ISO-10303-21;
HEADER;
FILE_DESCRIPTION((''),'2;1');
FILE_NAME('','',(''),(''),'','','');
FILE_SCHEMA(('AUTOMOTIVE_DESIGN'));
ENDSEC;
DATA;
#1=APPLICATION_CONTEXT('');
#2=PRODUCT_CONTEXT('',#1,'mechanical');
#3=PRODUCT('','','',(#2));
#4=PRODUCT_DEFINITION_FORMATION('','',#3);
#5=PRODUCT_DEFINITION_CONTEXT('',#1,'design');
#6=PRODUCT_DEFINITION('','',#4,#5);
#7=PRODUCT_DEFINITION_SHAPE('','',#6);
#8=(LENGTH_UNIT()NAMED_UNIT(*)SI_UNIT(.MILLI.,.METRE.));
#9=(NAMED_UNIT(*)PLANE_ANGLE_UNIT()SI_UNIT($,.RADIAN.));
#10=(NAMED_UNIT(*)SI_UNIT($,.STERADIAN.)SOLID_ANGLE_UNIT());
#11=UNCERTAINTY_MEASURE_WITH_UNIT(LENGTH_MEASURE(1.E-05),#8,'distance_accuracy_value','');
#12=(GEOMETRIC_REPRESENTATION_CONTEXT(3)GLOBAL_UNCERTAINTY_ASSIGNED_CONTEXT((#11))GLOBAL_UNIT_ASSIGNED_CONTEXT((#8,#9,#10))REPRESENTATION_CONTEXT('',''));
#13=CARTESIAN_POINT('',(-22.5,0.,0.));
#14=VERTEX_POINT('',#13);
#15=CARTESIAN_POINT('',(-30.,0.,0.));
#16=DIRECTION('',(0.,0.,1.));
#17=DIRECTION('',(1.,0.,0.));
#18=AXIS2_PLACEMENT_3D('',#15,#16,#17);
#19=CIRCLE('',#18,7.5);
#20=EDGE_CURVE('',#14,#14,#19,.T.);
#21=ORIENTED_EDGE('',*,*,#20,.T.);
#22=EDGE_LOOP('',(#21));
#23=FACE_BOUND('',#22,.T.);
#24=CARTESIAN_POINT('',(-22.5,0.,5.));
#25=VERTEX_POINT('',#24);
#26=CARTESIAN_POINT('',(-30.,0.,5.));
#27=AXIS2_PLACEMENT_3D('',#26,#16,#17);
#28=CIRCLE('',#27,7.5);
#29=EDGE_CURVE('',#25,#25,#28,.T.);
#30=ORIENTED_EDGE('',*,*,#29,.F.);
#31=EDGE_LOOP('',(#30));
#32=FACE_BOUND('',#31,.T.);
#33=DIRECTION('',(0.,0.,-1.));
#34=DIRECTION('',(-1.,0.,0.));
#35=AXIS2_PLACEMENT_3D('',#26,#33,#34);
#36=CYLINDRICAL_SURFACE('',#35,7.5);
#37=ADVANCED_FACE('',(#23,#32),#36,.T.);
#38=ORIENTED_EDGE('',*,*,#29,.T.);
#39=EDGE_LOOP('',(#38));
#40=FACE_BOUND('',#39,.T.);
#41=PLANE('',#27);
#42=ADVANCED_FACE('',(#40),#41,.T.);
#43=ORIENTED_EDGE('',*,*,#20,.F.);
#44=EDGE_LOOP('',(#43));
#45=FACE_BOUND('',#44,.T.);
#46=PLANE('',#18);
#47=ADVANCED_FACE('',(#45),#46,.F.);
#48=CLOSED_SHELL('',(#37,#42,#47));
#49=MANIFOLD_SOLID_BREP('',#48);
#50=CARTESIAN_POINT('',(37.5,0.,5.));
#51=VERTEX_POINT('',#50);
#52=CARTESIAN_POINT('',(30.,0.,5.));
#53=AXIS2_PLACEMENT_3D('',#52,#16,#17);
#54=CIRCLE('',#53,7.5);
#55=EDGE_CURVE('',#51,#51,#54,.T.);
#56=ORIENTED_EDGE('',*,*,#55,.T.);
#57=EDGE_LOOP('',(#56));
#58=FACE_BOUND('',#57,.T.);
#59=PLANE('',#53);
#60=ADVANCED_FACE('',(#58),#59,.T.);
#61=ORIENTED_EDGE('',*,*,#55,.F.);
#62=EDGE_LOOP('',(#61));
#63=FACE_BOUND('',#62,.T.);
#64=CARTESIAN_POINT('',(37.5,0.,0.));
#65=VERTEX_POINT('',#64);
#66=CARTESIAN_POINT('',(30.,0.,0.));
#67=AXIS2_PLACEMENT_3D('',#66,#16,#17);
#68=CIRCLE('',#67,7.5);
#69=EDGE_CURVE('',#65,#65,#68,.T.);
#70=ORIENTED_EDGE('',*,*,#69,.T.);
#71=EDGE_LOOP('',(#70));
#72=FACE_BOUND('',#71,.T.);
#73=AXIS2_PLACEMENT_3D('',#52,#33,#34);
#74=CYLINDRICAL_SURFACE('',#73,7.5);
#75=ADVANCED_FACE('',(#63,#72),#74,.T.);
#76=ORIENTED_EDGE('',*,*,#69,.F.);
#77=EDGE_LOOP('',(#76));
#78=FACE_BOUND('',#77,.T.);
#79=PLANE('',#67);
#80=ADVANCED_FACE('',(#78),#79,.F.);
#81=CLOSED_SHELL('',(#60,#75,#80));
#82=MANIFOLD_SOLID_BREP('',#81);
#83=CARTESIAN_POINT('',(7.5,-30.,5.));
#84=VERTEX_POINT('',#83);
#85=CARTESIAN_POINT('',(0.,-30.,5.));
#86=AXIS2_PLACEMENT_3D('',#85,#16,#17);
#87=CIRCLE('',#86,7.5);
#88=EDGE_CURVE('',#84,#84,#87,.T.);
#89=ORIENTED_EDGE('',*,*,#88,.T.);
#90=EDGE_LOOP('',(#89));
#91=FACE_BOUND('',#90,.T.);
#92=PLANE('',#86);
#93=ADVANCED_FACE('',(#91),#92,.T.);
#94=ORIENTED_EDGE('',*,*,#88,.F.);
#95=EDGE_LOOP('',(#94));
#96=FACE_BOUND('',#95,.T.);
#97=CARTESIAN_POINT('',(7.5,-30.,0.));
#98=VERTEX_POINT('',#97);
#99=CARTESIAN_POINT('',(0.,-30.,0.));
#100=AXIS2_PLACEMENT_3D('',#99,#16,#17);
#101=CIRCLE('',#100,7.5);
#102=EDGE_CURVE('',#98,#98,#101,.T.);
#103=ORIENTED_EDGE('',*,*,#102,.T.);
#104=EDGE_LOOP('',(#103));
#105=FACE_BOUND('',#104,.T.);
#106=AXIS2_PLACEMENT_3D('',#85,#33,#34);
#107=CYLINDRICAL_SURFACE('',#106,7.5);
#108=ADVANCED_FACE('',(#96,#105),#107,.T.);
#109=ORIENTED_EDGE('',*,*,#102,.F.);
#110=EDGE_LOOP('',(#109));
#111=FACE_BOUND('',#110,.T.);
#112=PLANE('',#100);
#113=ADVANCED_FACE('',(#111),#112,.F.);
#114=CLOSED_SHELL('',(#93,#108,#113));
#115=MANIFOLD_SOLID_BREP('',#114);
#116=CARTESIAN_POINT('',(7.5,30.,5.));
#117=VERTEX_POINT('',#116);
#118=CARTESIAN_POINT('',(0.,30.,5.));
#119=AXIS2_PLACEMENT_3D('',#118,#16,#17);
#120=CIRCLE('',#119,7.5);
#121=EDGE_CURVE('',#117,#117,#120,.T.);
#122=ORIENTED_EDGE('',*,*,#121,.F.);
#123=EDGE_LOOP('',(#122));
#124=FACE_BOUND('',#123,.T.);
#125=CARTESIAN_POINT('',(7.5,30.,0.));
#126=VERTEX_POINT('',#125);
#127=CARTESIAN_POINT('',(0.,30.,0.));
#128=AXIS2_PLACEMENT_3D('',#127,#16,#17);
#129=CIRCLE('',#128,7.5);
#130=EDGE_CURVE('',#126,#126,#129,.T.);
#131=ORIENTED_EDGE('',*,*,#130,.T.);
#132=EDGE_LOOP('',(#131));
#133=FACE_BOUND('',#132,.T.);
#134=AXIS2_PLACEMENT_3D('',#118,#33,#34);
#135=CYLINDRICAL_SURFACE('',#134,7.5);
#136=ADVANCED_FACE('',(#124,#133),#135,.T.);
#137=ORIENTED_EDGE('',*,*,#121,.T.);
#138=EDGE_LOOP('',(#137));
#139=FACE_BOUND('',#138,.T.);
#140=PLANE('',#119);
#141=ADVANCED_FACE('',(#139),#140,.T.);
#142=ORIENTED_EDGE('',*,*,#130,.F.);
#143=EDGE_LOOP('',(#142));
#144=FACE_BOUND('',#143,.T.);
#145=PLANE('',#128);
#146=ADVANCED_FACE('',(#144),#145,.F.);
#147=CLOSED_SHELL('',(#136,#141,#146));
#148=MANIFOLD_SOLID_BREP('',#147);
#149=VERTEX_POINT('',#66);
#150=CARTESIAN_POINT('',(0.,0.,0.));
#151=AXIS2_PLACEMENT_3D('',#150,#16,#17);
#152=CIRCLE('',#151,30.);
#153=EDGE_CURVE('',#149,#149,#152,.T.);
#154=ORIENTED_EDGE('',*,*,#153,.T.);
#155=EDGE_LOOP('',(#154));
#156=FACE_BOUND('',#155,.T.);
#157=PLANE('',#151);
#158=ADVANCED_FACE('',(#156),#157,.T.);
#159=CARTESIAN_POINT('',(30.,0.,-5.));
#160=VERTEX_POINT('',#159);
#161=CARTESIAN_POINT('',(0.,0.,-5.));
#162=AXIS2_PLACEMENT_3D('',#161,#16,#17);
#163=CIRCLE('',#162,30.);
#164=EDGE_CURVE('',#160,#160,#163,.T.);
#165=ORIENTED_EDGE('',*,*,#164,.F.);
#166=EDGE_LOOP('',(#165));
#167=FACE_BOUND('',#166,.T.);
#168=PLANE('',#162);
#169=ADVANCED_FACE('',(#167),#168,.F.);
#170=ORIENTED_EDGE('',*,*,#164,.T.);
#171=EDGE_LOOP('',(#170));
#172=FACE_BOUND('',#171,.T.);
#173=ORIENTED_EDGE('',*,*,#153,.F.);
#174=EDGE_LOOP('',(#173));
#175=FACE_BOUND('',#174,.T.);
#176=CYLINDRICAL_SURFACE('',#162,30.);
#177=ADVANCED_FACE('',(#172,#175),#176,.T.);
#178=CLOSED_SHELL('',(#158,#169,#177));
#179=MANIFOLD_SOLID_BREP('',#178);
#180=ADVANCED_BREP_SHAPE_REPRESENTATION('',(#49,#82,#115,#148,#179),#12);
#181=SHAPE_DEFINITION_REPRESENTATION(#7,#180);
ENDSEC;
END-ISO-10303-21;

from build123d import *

# Parameters (mm, degrees)
SKIZZE1_R                 = 30
LINEAR_AUSTRAGEN1_DEPTH   = 5
SKIZZE1_3_R               = 7.5
LINEAR_AUSTRAGEN2_DEPTH   = 5
LINEAR_AUSTRAGEN2_2_DEPTH = 5
LINEAR_AUSTRAGEN2_3_DEPTH = 5
LINEAR_AUSTRAGEN2_4_DEPTH = 5


with BuildPart() as part:
    # Skizze1 → Linear austragen1 (new body)
    with BuildSketch(Plane.XY):
        Circle(SKIZZE1_R)
    extrude(amount=-LINEAR_AUSTRAGEN1_DEPTH)


with BuildPart() as body_2:
    # Skizze1_3 → Linear austragen2 (new body)
    with BuildSketch(Plane.XY):
        with Locations((0, 30)):
            Circle(SKIZZE1_3_R)
    extrude(amount=LINEAR_AUSTRAGEN2_DEPTH)


with BuildPart() as body_3:
    # Skizze1_3 → Linear austragen2 2 (new body)
    with BuildSketch(Plane.XY):
        with Locations((30, 0)):
            Circle(SKIZZE1_3_R)
    extrude(amount=LINEAR_AUSTRAGEN2_2_DEPTH)


with BuildPart() as body_4:
    # Skizze1_3 → Linear austragen2 3 (new body)
    with BuildSketch(Plane.XY):
        with Locations((0, -30)):
            Circle(SKIZZE1_3_R)
    extrude(amount=LINEAR_AUSTRAGEN2_3_DEPTH)


with BuildPart() as body_5:
    # Skizze1_3 → Linear austragen2 4 (new body)
    with BuildSketch(Plane.XY):
        with Locations((-30, 0)):
            Circle(SKIZZE1_3_R)
    extrude(amount=LINEAR_AUSTRAGEN2_4_DEPTH)


solid = Compound([part.part, body_2.part, body_3.part, body_4.part, body_5.part])
